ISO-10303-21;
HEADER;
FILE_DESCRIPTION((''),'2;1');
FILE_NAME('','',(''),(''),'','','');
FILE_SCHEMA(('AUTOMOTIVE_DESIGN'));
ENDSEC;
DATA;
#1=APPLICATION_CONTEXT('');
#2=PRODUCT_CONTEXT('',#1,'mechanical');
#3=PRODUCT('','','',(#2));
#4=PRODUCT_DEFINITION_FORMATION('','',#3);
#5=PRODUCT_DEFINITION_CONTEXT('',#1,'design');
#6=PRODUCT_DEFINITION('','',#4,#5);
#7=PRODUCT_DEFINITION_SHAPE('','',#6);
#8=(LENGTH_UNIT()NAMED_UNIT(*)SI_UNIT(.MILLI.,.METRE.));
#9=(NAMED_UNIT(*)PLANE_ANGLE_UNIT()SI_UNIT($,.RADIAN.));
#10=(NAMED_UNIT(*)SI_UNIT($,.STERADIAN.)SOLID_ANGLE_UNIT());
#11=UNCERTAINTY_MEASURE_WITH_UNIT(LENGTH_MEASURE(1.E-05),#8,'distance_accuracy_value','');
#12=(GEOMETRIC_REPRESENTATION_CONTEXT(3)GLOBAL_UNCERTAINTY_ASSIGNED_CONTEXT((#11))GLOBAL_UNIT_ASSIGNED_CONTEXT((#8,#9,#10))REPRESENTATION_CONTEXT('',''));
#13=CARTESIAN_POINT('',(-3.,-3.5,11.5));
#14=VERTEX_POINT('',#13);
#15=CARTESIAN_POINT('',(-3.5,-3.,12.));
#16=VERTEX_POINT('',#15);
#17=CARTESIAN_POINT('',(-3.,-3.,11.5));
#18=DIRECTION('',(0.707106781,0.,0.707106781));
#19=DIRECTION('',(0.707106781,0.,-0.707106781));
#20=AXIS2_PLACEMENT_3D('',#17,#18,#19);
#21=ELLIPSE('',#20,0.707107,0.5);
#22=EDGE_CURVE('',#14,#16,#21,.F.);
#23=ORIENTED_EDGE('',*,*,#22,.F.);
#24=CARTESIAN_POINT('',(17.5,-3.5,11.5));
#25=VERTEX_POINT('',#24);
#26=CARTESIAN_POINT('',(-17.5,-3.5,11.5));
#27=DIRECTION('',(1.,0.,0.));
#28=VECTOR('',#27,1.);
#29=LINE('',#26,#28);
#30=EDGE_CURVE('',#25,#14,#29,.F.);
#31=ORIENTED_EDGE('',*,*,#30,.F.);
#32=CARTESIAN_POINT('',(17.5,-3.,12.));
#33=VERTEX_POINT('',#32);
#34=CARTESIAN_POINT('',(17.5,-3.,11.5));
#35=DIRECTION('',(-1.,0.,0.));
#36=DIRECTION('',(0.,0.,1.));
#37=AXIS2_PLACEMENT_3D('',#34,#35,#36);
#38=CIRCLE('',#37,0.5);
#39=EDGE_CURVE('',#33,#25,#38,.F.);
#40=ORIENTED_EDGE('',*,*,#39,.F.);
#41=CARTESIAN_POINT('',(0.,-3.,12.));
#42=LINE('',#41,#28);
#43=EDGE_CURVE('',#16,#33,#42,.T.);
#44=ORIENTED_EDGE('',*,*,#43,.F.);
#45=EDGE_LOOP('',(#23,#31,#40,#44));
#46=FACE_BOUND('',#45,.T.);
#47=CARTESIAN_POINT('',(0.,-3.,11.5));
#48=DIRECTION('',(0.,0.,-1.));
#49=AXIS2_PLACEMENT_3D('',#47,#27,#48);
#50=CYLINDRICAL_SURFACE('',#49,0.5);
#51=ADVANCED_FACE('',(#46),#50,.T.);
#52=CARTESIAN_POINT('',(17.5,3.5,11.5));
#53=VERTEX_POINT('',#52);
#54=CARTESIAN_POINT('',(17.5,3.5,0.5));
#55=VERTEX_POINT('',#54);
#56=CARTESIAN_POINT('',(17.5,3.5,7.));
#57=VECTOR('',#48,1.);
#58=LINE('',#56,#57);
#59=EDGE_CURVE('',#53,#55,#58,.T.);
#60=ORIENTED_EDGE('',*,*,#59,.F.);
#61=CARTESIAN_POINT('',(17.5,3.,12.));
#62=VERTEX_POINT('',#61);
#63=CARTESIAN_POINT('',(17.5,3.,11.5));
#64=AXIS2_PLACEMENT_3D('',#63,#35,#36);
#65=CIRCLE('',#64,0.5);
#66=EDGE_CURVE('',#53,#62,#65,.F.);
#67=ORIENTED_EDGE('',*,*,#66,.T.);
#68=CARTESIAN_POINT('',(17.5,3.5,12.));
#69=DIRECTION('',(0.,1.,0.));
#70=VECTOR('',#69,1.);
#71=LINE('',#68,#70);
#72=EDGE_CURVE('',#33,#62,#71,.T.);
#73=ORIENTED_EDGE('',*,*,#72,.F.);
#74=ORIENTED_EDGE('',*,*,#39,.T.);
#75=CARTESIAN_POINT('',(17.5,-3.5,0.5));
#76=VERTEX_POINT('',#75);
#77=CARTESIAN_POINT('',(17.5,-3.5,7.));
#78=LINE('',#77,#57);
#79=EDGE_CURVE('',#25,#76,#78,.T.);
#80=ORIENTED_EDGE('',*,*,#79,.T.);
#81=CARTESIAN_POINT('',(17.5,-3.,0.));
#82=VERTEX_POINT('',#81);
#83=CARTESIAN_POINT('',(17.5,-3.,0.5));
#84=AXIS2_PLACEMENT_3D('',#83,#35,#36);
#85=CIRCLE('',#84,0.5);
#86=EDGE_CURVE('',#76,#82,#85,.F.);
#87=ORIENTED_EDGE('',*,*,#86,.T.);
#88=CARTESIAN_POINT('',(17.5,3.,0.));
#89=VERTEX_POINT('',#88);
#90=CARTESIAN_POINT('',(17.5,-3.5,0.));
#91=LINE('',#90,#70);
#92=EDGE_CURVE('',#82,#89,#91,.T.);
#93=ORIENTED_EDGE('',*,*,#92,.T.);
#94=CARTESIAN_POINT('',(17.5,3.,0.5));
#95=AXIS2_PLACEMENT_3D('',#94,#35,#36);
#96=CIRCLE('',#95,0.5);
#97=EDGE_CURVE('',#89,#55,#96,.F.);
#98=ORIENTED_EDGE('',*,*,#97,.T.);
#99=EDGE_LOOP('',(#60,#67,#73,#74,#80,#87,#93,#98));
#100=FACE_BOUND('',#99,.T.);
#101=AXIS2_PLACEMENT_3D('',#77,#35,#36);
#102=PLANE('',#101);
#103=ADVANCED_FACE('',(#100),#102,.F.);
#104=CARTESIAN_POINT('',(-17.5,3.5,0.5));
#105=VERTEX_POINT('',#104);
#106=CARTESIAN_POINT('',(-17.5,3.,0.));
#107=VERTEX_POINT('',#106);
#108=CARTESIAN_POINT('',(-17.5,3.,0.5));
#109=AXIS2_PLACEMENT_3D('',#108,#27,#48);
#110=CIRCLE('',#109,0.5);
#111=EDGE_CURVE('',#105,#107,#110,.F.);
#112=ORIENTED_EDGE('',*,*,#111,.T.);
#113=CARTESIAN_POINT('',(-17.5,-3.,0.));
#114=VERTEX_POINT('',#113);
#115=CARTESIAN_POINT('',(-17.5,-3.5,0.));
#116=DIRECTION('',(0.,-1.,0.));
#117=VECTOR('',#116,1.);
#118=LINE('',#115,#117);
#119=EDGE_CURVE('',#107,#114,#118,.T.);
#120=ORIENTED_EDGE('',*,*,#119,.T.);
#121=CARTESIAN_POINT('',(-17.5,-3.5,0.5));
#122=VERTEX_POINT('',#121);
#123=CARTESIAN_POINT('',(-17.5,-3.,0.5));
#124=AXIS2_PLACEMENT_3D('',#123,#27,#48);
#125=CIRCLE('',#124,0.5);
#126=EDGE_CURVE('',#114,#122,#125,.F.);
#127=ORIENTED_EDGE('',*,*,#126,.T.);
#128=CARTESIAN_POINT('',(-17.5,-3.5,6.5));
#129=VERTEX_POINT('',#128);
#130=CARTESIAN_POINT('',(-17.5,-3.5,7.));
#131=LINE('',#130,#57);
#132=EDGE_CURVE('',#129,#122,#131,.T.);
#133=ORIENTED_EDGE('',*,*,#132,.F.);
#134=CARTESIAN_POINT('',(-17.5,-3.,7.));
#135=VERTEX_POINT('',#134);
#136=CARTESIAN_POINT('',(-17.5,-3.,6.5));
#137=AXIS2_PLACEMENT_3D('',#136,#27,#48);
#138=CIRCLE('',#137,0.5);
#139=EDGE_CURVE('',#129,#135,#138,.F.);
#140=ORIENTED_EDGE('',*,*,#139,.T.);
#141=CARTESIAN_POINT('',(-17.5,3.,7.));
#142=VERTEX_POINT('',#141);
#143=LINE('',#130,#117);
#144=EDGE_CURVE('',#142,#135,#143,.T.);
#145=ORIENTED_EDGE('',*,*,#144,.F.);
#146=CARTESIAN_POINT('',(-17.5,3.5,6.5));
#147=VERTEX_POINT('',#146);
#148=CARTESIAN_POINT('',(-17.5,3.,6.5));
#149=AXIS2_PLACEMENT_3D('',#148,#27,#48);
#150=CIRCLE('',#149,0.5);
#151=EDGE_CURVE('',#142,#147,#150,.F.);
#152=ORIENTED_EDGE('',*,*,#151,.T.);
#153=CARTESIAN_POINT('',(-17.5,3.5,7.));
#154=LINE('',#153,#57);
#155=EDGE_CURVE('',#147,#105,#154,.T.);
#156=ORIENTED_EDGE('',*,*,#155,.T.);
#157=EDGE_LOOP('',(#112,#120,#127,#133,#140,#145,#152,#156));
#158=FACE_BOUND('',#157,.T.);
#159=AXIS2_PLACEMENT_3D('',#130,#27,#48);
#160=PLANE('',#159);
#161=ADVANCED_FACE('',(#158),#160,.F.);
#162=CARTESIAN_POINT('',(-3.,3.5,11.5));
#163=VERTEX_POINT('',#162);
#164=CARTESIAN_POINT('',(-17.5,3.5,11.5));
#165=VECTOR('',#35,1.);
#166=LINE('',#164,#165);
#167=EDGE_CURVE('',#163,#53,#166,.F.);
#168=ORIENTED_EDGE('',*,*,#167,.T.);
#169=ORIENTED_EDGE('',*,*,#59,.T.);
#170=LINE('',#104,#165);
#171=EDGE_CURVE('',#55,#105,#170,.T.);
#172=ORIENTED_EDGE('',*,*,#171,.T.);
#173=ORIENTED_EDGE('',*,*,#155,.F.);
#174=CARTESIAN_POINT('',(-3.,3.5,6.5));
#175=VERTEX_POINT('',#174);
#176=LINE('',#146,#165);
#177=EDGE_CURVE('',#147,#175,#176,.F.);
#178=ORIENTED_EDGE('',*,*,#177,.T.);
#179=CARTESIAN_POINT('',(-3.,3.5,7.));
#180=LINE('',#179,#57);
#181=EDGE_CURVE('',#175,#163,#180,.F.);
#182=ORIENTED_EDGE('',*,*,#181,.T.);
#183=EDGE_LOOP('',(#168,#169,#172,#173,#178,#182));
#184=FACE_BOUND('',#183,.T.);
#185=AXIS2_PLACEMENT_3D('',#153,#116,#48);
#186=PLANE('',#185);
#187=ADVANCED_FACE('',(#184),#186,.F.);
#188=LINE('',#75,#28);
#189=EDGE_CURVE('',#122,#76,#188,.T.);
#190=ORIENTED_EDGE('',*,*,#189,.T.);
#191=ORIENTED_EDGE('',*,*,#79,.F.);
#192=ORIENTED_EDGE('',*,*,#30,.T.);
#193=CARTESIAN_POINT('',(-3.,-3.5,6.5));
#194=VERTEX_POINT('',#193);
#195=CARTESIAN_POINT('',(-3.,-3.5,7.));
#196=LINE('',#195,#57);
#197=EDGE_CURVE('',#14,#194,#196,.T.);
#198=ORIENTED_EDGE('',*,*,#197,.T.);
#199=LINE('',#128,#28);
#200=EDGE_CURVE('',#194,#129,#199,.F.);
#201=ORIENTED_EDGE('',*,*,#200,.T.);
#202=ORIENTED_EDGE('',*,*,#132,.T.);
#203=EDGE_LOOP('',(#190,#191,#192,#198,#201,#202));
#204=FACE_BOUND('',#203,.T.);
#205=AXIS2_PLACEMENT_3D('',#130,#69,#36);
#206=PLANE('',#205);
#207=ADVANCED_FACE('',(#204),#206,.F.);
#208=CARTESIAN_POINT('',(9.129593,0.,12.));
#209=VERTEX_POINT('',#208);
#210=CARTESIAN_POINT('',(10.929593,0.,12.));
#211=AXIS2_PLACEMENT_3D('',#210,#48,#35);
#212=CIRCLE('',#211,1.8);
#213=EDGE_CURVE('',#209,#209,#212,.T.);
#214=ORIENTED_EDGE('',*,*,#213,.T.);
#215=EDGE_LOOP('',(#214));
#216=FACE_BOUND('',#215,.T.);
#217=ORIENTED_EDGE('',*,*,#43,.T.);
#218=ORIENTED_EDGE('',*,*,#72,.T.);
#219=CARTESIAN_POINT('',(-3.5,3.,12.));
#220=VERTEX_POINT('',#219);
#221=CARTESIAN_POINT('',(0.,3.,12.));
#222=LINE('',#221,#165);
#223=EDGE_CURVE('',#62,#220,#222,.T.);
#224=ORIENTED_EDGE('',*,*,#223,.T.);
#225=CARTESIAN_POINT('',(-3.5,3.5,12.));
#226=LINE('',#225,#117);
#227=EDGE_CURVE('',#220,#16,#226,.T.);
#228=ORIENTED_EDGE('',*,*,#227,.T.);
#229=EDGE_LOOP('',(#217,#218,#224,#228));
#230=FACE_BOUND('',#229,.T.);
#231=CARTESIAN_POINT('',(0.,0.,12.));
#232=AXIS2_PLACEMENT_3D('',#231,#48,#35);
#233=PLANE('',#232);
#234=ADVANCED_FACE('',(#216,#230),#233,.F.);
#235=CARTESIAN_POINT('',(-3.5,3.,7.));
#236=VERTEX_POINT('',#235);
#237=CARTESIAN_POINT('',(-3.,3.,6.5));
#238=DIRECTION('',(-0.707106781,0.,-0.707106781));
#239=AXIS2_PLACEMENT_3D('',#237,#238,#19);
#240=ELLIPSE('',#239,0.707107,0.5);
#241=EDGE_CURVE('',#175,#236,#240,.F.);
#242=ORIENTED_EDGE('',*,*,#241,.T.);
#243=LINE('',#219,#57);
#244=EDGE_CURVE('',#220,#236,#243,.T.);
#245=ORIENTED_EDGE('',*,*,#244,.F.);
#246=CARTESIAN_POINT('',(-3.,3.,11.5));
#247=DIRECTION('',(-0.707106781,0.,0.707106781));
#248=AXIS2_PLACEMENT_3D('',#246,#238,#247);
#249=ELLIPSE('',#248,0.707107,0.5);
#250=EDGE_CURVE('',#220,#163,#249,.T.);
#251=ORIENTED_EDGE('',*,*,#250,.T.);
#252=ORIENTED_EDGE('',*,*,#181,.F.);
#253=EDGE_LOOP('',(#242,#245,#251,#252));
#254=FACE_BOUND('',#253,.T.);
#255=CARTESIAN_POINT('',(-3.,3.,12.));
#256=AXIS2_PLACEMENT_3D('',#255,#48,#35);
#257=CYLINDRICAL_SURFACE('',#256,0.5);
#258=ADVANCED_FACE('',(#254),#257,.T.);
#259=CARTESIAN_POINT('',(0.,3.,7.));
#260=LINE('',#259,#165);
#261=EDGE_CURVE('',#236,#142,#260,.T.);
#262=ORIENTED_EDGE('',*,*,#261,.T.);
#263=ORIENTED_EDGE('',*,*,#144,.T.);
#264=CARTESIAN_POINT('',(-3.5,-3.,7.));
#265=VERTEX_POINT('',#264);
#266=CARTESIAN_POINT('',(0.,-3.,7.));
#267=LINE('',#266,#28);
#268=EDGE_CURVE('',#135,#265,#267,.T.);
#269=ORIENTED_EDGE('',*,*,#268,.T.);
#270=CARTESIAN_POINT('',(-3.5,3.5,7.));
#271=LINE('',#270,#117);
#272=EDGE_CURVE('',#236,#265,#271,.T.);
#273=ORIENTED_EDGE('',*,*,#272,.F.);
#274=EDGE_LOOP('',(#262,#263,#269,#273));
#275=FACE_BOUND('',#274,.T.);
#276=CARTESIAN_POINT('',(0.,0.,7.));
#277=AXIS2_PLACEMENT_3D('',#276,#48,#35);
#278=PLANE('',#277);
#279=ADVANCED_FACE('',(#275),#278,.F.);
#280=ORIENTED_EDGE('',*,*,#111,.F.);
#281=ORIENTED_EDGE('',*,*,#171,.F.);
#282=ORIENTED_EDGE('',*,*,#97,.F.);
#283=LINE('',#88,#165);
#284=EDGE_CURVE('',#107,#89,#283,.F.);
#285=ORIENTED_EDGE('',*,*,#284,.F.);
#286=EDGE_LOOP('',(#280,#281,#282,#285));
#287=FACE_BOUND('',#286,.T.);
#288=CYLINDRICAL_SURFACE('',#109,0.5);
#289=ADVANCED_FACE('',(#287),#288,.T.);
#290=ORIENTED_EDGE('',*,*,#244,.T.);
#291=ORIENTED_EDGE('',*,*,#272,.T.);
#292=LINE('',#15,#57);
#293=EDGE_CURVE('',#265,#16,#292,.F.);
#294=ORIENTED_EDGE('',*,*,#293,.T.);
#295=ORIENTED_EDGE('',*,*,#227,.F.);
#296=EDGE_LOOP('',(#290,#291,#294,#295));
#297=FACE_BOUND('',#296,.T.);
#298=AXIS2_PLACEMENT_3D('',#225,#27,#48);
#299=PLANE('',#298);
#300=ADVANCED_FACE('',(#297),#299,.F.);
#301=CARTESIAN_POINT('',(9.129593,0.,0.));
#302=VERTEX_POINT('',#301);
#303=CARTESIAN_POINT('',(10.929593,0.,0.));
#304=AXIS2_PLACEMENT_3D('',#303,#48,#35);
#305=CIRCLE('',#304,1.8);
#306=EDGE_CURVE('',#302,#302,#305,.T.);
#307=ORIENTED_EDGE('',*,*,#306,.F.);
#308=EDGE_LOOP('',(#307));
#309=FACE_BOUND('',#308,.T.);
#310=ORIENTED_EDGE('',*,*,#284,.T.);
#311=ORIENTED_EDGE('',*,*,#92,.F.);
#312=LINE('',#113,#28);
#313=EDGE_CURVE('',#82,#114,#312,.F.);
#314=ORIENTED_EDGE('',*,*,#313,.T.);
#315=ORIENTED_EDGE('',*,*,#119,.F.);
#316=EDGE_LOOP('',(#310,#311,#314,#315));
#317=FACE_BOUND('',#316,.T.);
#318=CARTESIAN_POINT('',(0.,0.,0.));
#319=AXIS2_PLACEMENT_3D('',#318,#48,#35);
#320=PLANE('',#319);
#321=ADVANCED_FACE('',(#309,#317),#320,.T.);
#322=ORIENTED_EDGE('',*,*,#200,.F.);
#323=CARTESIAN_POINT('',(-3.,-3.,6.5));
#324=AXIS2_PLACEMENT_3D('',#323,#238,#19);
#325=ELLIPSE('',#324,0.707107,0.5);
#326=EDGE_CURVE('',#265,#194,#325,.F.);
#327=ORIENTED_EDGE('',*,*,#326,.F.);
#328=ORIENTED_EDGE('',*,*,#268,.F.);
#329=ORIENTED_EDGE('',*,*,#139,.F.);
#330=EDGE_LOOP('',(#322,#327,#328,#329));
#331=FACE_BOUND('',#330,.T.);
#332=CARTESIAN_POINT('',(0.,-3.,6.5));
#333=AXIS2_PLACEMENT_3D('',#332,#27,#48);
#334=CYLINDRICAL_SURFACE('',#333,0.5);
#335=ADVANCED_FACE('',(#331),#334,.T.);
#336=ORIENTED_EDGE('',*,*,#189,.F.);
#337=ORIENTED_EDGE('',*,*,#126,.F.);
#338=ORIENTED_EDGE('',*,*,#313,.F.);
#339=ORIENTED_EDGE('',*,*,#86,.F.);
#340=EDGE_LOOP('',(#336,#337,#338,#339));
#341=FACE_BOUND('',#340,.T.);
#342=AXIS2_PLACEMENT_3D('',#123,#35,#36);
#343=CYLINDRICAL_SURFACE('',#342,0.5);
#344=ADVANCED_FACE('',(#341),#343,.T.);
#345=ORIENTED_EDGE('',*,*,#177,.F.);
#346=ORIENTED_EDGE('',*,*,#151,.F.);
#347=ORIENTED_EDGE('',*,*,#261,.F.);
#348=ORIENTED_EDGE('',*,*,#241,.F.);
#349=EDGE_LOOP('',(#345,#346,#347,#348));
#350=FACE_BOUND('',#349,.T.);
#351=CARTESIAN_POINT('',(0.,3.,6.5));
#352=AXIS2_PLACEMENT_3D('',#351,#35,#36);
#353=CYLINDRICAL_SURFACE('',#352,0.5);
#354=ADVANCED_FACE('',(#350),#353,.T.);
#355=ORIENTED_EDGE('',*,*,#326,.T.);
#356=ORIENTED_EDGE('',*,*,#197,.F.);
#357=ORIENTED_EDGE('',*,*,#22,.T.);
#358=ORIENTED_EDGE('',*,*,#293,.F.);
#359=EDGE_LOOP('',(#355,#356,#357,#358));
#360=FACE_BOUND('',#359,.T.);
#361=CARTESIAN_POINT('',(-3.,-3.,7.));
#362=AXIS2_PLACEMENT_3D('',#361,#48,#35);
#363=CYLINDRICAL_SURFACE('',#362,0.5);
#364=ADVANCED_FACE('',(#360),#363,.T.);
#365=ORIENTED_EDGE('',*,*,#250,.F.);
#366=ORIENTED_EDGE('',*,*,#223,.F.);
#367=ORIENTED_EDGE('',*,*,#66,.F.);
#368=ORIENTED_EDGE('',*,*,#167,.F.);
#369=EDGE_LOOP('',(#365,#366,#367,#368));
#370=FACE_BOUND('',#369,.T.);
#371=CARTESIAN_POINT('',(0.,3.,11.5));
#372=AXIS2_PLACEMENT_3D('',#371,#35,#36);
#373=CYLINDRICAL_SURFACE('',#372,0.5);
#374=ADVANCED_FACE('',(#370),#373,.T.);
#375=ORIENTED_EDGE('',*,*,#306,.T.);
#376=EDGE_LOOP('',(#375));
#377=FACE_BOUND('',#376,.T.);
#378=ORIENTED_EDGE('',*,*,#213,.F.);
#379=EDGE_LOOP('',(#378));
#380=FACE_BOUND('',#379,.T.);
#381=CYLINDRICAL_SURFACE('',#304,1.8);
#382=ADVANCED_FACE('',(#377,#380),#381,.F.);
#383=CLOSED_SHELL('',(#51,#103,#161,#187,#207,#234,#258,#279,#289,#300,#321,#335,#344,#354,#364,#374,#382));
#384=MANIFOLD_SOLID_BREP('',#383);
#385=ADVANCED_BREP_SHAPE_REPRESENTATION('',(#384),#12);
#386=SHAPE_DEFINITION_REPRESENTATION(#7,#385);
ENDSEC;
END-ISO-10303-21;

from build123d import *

# Parameters (mm, degrees)
SKETCH1_W                  = 35
SKETCH1_H                  = 7
BOSS_EXTRUDE1_DEPTH        = 7
SKETCH3_W                  = 21
SKETCH3_H                  = 7
BOSS_EXTRUDE3_DEPTH        = 5
FILLET1_R                  = 0.5
F_3_6_3_6_DIAMETER_HOLE1_D = 3.6


with BuildPart() as part:
    # Sketch1 → Boss-Extrude1 (new body)
    with BuildSketch(Plane.XY):
        Rectangle(SKETCH1_W, SKETCH1_H)
    extrude(amount=BOSS_EXTRUDE1_DEPTH)

    # Sketch3 → Boss-Extrude3 (add)
    with BuildSketch(Plane.XY.offset(7)):
        with Locations((7, 0)):
            Rectangle(SKETCH3_W, SKETCH3_H)
    extrude(amount=BOSS_EXTRUDE3_DEPTH)

    # Fillet1
    fillet1_edges = [part.edges().sort_by_distance(p)[0] for p in [
        (-10.5, 3.5, 7),
        (-3.5, 3.5, 9.5),
        (-3.5, -3.5, 9.5),
        (-10.5, -3.5, 7),
        (7, 3.5, 12),
        (7, -3.5, 12),
        (0, -3.5, 0),
        (0, 3.5, 0),
    ]]
    fillet(fillet1_edges, radius=FILLET1_R)

    # Ø3.6 (3.6) Diameter Hole1 (through all)
    with Locations(Plane(origin=(10.929593105, 0, 0), x_dir=(-1, 0, 0), z_dir=(0, 0, -1))):
        with Locations((0, 0)):
            Hole(F_3_6_3_6_DIAMETER_HOLE1_D / 2)


solid = part.part
